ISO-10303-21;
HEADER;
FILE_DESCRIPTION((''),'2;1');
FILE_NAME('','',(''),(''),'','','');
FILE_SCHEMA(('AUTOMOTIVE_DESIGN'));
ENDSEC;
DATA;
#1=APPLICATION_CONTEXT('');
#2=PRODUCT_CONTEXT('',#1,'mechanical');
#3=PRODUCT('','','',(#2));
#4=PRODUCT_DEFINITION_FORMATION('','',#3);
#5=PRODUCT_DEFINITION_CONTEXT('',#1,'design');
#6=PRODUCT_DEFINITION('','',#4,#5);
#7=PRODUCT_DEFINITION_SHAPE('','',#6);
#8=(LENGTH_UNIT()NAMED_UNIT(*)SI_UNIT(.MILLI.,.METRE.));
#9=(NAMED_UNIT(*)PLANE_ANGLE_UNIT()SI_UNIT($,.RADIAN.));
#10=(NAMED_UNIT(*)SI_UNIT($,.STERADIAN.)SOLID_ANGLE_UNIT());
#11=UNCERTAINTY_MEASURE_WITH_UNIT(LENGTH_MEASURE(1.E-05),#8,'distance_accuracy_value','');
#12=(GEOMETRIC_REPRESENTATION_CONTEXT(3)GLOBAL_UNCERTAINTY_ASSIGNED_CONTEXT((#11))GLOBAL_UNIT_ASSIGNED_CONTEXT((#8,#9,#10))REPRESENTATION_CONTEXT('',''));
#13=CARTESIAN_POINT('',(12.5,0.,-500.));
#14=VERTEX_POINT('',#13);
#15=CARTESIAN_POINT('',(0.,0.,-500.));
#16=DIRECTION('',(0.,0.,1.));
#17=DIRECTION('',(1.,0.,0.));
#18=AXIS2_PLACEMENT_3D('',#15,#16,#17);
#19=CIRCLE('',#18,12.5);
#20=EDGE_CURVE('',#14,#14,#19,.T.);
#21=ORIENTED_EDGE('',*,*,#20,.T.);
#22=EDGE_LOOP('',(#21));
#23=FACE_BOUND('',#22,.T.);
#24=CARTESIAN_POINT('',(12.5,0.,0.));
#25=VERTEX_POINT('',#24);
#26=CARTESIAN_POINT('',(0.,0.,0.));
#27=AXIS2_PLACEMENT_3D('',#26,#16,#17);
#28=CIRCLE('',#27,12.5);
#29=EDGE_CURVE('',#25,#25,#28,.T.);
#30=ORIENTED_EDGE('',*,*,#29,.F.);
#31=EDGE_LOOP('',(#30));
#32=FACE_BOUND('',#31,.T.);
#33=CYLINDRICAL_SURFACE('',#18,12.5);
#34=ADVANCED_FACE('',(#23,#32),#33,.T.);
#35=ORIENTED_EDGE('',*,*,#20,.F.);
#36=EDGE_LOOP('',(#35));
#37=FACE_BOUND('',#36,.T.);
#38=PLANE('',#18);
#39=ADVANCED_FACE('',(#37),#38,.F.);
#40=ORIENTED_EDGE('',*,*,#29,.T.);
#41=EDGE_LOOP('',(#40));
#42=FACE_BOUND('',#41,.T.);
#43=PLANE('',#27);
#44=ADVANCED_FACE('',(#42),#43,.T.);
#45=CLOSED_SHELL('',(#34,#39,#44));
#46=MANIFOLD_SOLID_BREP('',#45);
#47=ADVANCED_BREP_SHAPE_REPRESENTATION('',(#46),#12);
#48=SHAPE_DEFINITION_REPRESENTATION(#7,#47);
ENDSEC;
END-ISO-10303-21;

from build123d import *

# Parameters (mm, degrees)
SKETCH1_R           = 12.5
BOSS_EXTRUDE1_DEPTH = 500


with BuildPart() as part:
    # Sketch1 → Boss-Extrude1 (new body)
    with BuildSketch(Plane.XY):
        Circle(SKETCH1_R)
    extrude(amount=-BOSS_EXTRUDE1_DEPTH)


solid = part.part
